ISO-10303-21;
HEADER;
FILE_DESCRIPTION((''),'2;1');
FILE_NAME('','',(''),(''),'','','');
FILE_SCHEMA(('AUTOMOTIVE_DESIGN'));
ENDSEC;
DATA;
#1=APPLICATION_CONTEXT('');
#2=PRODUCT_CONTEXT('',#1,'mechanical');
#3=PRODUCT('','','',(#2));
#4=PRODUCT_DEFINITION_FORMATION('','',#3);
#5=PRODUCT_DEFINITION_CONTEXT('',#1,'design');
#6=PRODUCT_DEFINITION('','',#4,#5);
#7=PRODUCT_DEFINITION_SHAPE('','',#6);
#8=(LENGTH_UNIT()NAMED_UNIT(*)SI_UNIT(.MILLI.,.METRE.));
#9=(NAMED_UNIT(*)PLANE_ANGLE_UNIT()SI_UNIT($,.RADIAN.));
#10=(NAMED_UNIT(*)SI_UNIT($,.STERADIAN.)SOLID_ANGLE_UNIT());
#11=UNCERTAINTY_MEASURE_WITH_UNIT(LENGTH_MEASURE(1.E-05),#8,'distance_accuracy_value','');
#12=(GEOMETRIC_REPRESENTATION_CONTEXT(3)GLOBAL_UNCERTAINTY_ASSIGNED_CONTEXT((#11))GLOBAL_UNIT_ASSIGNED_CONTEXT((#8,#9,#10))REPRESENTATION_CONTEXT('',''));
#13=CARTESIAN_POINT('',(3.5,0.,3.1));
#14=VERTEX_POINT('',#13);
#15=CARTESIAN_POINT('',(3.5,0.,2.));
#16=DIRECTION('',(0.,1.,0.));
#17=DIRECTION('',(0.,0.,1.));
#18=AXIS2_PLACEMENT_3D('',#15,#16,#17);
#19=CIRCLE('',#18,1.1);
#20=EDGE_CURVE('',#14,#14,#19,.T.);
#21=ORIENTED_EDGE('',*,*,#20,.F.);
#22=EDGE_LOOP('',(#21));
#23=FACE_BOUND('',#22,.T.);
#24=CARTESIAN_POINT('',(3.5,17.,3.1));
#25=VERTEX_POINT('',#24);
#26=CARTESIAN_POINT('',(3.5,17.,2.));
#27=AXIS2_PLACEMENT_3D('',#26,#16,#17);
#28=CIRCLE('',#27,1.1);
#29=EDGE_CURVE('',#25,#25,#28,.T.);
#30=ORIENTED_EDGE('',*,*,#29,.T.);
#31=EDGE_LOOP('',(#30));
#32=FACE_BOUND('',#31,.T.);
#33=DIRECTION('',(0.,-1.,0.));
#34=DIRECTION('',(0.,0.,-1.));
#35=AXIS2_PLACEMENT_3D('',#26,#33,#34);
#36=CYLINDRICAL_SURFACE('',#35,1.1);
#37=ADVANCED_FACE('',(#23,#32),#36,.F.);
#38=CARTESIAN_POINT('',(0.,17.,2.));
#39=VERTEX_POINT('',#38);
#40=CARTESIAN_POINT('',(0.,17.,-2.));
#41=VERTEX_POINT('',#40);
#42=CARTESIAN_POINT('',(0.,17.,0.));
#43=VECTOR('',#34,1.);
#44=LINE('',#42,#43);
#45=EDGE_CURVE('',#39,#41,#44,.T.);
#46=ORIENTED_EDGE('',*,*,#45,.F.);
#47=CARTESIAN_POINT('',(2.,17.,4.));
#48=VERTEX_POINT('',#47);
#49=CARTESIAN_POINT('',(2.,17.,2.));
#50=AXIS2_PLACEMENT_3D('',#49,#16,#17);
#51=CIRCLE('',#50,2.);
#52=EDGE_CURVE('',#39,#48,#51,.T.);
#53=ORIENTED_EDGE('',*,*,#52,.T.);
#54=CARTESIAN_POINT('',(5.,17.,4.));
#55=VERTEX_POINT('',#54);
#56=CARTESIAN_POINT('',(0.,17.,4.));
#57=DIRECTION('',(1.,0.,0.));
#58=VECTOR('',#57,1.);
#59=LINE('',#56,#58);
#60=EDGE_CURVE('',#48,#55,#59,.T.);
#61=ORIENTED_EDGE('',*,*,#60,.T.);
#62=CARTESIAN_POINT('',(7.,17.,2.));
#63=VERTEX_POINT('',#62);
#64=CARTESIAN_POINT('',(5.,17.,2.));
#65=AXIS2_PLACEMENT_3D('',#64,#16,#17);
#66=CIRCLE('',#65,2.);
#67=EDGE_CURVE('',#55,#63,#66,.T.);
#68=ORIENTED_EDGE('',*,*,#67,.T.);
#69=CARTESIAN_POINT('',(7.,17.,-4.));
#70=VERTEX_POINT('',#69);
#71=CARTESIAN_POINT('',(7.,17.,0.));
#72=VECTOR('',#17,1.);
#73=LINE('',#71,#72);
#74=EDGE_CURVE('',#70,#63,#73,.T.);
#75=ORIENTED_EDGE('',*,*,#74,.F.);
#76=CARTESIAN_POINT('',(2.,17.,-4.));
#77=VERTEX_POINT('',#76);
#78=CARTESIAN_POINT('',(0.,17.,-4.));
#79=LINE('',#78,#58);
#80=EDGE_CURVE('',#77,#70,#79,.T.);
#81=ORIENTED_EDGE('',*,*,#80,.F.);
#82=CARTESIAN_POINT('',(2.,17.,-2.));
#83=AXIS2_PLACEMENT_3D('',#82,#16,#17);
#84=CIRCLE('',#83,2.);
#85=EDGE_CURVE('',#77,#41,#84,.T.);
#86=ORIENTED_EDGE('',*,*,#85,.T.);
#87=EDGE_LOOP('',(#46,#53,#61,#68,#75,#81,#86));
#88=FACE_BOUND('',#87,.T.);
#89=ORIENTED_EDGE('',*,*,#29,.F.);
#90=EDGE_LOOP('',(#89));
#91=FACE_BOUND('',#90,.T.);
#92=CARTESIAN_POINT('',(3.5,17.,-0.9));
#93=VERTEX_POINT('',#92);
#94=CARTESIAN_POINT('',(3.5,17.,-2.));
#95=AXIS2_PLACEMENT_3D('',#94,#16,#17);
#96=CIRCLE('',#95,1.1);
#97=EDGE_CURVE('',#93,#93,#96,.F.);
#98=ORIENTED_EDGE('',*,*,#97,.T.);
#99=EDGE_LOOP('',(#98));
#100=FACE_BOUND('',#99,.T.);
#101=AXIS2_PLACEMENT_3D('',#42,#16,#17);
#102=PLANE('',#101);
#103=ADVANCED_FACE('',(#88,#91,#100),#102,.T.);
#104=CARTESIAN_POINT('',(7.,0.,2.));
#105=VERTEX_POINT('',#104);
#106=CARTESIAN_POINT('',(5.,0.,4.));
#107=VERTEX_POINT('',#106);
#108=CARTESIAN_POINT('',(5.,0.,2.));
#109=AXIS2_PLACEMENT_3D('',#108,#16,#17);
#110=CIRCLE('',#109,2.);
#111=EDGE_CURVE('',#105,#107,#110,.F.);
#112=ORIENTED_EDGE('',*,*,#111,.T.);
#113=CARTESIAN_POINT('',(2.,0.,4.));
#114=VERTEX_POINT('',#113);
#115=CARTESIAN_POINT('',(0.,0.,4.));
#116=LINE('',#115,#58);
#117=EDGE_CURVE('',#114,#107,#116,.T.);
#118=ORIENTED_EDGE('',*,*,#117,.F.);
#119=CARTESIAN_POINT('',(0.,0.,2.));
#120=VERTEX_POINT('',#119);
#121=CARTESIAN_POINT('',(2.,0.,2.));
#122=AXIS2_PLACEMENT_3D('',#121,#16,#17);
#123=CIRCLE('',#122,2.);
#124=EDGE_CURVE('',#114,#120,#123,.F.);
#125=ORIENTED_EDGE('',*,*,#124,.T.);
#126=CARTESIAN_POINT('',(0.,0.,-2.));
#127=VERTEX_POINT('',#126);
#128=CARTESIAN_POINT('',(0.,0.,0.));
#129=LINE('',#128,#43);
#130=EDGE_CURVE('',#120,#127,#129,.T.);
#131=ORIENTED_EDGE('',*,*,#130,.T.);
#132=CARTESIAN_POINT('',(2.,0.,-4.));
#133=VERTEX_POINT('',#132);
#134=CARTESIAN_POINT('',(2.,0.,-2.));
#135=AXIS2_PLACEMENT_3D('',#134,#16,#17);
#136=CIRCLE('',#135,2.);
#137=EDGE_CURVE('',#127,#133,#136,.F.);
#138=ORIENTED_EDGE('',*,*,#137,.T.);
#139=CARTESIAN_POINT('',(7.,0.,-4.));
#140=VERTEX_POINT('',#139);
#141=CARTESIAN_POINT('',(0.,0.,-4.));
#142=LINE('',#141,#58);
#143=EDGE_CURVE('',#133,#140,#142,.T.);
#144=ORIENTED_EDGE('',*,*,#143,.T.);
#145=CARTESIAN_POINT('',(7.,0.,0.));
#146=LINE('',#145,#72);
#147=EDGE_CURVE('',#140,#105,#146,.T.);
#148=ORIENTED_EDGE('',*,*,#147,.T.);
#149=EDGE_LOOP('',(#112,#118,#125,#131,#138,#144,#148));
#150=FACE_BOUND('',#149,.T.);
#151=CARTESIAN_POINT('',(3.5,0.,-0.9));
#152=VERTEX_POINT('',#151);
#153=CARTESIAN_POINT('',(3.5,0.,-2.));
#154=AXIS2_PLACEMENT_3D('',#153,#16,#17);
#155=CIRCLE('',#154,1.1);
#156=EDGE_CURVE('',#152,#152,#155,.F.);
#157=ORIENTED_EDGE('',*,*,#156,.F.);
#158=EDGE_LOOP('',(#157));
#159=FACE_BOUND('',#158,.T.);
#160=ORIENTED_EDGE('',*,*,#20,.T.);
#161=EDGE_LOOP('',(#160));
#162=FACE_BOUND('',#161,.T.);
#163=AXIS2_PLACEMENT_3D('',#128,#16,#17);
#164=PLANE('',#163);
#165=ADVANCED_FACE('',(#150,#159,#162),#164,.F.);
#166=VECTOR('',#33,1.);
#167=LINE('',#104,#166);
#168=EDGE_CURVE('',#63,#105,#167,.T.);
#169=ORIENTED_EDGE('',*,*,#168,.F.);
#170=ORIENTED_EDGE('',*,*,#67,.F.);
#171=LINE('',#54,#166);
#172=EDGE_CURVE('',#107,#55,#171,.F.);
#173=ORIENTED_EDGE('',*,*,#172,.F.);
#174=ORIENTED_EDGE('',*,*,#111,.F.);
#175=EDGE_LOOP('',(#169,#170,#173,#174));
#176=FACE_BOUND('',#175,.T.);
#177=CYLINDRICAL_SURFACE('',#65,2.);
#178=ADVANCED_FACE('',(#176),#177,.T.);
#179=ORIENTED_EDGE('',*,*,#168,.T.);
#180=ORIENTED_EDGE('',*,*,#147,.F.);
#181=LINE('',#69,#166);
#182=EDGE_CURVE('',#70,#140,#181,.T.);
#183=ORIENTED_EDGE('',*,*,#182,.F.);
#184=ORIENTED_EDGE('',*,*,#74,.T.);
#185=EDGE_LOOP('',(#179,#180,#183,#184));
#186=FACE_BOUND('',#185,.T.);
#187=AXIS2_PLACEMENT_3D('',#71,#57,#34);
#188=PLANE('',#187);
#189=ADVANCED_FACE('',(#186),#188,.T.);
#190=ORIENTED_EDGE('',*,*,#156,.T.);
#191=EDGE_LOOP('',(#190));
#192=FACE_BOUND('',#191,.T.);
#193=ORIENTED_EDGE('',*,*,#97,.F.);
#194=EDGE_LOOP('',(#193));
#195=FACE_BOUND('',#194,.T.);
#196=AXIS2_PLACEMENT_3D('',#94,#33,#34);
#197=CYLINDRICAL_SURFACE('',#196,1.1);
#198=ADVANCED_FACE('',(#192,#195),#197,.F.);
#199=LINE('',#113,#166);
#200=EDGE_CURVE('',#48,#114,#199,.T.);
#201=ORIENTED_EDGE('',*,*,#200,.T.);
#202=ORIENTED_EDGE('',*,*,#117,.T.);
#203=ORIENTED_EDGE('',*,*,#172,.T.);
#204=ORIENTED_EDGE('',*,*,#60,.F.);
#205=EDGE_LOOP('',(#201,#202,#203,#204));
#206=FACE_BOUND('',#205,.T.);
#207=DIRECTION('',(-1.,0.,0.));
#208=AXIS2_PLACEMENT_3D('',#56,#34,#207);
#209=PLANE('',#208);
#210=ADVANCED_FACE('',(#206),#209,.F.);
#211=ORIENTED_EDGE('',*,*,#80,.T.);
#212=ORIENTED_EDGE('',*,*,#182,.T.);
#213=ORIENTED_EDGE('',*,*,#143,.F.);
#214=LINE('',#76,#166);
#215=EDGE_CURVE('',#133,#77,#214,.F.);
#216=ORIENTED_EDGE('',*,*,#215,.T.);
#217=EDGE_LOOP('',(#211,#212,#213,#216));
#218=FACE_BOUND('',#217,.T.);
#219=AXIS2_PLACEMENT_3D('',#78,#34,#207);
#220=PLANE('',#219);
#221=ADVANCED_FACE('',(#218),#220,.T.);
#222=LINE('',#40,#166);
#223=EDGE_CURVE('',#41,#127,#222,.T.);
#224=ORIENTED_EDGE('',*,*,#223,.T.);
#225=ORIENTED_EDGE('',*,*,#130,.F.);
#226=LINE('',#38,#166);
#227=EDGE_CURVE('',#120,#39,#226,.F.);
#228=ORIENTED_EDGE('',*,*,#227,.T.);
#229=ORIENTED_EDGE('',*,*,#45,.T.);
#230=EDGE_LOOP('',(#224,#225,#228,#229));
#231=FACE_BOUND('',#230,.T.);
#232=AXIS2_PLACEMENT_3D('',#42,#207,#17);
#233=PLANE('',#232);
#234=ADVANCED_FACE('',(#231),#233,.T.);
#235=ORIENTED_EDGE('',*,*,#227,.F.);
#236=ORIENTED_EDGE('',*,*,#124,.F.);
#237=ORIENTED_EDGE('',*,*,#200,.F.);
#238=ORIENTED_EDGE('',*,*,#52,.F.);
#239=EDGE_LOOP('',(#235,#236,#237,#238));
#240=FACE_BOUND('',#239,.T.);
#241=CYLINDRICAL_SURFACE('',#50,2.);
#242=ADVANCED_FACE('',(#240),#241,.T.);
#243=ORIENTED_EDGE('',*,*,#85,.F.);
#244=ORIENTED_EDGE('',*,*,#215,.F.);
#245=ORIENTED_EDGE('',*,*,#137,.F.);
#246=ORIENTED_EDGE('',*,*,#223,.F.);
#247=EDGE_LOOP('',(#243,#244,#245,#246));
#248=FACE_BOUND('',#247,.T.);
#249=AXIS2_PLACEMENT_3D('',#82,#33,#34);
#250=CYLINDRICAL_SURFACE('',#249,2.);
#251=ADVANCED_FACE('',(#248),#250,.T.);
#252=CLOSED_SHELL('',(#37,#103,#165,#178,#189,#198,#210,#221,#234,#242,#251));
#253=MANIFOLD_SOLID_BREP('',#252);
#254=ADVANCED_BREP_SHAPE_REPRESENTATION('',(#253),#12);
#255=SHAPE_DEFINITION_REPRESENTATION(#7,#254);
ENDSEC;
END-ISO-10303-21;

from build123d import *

# Parameters (mm, degrees)
SKETCH_1_W      = 7
SKETCH_1_H      = 8
SKETCH_1_R      = 1.1
EXTRUDE_1_DEPTH = 17
FILLET_1_R      = 2


with BuildPart() as part:
    # 草图1 → 凸台-拉伸1 (new body)
    with BuildSketch(Plane(origin=(0, 0, 0), x_dir=(1, 0, 0), z_dir=(0, 1, 0))):
        with Locations((3.5, 0)):
            Rectangle(SKETCH_1_W, SKETCH_1_H)
        with Locations(Location((3.5, -2, 0), (0, 0, 270))):
            Circle(SKETCH_1_R, mode=Mode.SUBTRACT)
        with Locations(Location((3.5, 2, 0), (0, 0, 270))):
            Circle(SKETCH_1_R, mode=Mode.SUBTRACT)
    extrude(amount=EXTRUDE_1_DEPTH)

    # 圆角1
    fillet_1_edges = [part.edges().sort_by_distance(p)[0] for p in [
        (7, 8.5, 4),
        (0, 8.5, 4),
        (0, 8.5, -4),
    ]]
    fillet(fillet_1_edges, radius=FILLET_1_R)


solid = part.part
